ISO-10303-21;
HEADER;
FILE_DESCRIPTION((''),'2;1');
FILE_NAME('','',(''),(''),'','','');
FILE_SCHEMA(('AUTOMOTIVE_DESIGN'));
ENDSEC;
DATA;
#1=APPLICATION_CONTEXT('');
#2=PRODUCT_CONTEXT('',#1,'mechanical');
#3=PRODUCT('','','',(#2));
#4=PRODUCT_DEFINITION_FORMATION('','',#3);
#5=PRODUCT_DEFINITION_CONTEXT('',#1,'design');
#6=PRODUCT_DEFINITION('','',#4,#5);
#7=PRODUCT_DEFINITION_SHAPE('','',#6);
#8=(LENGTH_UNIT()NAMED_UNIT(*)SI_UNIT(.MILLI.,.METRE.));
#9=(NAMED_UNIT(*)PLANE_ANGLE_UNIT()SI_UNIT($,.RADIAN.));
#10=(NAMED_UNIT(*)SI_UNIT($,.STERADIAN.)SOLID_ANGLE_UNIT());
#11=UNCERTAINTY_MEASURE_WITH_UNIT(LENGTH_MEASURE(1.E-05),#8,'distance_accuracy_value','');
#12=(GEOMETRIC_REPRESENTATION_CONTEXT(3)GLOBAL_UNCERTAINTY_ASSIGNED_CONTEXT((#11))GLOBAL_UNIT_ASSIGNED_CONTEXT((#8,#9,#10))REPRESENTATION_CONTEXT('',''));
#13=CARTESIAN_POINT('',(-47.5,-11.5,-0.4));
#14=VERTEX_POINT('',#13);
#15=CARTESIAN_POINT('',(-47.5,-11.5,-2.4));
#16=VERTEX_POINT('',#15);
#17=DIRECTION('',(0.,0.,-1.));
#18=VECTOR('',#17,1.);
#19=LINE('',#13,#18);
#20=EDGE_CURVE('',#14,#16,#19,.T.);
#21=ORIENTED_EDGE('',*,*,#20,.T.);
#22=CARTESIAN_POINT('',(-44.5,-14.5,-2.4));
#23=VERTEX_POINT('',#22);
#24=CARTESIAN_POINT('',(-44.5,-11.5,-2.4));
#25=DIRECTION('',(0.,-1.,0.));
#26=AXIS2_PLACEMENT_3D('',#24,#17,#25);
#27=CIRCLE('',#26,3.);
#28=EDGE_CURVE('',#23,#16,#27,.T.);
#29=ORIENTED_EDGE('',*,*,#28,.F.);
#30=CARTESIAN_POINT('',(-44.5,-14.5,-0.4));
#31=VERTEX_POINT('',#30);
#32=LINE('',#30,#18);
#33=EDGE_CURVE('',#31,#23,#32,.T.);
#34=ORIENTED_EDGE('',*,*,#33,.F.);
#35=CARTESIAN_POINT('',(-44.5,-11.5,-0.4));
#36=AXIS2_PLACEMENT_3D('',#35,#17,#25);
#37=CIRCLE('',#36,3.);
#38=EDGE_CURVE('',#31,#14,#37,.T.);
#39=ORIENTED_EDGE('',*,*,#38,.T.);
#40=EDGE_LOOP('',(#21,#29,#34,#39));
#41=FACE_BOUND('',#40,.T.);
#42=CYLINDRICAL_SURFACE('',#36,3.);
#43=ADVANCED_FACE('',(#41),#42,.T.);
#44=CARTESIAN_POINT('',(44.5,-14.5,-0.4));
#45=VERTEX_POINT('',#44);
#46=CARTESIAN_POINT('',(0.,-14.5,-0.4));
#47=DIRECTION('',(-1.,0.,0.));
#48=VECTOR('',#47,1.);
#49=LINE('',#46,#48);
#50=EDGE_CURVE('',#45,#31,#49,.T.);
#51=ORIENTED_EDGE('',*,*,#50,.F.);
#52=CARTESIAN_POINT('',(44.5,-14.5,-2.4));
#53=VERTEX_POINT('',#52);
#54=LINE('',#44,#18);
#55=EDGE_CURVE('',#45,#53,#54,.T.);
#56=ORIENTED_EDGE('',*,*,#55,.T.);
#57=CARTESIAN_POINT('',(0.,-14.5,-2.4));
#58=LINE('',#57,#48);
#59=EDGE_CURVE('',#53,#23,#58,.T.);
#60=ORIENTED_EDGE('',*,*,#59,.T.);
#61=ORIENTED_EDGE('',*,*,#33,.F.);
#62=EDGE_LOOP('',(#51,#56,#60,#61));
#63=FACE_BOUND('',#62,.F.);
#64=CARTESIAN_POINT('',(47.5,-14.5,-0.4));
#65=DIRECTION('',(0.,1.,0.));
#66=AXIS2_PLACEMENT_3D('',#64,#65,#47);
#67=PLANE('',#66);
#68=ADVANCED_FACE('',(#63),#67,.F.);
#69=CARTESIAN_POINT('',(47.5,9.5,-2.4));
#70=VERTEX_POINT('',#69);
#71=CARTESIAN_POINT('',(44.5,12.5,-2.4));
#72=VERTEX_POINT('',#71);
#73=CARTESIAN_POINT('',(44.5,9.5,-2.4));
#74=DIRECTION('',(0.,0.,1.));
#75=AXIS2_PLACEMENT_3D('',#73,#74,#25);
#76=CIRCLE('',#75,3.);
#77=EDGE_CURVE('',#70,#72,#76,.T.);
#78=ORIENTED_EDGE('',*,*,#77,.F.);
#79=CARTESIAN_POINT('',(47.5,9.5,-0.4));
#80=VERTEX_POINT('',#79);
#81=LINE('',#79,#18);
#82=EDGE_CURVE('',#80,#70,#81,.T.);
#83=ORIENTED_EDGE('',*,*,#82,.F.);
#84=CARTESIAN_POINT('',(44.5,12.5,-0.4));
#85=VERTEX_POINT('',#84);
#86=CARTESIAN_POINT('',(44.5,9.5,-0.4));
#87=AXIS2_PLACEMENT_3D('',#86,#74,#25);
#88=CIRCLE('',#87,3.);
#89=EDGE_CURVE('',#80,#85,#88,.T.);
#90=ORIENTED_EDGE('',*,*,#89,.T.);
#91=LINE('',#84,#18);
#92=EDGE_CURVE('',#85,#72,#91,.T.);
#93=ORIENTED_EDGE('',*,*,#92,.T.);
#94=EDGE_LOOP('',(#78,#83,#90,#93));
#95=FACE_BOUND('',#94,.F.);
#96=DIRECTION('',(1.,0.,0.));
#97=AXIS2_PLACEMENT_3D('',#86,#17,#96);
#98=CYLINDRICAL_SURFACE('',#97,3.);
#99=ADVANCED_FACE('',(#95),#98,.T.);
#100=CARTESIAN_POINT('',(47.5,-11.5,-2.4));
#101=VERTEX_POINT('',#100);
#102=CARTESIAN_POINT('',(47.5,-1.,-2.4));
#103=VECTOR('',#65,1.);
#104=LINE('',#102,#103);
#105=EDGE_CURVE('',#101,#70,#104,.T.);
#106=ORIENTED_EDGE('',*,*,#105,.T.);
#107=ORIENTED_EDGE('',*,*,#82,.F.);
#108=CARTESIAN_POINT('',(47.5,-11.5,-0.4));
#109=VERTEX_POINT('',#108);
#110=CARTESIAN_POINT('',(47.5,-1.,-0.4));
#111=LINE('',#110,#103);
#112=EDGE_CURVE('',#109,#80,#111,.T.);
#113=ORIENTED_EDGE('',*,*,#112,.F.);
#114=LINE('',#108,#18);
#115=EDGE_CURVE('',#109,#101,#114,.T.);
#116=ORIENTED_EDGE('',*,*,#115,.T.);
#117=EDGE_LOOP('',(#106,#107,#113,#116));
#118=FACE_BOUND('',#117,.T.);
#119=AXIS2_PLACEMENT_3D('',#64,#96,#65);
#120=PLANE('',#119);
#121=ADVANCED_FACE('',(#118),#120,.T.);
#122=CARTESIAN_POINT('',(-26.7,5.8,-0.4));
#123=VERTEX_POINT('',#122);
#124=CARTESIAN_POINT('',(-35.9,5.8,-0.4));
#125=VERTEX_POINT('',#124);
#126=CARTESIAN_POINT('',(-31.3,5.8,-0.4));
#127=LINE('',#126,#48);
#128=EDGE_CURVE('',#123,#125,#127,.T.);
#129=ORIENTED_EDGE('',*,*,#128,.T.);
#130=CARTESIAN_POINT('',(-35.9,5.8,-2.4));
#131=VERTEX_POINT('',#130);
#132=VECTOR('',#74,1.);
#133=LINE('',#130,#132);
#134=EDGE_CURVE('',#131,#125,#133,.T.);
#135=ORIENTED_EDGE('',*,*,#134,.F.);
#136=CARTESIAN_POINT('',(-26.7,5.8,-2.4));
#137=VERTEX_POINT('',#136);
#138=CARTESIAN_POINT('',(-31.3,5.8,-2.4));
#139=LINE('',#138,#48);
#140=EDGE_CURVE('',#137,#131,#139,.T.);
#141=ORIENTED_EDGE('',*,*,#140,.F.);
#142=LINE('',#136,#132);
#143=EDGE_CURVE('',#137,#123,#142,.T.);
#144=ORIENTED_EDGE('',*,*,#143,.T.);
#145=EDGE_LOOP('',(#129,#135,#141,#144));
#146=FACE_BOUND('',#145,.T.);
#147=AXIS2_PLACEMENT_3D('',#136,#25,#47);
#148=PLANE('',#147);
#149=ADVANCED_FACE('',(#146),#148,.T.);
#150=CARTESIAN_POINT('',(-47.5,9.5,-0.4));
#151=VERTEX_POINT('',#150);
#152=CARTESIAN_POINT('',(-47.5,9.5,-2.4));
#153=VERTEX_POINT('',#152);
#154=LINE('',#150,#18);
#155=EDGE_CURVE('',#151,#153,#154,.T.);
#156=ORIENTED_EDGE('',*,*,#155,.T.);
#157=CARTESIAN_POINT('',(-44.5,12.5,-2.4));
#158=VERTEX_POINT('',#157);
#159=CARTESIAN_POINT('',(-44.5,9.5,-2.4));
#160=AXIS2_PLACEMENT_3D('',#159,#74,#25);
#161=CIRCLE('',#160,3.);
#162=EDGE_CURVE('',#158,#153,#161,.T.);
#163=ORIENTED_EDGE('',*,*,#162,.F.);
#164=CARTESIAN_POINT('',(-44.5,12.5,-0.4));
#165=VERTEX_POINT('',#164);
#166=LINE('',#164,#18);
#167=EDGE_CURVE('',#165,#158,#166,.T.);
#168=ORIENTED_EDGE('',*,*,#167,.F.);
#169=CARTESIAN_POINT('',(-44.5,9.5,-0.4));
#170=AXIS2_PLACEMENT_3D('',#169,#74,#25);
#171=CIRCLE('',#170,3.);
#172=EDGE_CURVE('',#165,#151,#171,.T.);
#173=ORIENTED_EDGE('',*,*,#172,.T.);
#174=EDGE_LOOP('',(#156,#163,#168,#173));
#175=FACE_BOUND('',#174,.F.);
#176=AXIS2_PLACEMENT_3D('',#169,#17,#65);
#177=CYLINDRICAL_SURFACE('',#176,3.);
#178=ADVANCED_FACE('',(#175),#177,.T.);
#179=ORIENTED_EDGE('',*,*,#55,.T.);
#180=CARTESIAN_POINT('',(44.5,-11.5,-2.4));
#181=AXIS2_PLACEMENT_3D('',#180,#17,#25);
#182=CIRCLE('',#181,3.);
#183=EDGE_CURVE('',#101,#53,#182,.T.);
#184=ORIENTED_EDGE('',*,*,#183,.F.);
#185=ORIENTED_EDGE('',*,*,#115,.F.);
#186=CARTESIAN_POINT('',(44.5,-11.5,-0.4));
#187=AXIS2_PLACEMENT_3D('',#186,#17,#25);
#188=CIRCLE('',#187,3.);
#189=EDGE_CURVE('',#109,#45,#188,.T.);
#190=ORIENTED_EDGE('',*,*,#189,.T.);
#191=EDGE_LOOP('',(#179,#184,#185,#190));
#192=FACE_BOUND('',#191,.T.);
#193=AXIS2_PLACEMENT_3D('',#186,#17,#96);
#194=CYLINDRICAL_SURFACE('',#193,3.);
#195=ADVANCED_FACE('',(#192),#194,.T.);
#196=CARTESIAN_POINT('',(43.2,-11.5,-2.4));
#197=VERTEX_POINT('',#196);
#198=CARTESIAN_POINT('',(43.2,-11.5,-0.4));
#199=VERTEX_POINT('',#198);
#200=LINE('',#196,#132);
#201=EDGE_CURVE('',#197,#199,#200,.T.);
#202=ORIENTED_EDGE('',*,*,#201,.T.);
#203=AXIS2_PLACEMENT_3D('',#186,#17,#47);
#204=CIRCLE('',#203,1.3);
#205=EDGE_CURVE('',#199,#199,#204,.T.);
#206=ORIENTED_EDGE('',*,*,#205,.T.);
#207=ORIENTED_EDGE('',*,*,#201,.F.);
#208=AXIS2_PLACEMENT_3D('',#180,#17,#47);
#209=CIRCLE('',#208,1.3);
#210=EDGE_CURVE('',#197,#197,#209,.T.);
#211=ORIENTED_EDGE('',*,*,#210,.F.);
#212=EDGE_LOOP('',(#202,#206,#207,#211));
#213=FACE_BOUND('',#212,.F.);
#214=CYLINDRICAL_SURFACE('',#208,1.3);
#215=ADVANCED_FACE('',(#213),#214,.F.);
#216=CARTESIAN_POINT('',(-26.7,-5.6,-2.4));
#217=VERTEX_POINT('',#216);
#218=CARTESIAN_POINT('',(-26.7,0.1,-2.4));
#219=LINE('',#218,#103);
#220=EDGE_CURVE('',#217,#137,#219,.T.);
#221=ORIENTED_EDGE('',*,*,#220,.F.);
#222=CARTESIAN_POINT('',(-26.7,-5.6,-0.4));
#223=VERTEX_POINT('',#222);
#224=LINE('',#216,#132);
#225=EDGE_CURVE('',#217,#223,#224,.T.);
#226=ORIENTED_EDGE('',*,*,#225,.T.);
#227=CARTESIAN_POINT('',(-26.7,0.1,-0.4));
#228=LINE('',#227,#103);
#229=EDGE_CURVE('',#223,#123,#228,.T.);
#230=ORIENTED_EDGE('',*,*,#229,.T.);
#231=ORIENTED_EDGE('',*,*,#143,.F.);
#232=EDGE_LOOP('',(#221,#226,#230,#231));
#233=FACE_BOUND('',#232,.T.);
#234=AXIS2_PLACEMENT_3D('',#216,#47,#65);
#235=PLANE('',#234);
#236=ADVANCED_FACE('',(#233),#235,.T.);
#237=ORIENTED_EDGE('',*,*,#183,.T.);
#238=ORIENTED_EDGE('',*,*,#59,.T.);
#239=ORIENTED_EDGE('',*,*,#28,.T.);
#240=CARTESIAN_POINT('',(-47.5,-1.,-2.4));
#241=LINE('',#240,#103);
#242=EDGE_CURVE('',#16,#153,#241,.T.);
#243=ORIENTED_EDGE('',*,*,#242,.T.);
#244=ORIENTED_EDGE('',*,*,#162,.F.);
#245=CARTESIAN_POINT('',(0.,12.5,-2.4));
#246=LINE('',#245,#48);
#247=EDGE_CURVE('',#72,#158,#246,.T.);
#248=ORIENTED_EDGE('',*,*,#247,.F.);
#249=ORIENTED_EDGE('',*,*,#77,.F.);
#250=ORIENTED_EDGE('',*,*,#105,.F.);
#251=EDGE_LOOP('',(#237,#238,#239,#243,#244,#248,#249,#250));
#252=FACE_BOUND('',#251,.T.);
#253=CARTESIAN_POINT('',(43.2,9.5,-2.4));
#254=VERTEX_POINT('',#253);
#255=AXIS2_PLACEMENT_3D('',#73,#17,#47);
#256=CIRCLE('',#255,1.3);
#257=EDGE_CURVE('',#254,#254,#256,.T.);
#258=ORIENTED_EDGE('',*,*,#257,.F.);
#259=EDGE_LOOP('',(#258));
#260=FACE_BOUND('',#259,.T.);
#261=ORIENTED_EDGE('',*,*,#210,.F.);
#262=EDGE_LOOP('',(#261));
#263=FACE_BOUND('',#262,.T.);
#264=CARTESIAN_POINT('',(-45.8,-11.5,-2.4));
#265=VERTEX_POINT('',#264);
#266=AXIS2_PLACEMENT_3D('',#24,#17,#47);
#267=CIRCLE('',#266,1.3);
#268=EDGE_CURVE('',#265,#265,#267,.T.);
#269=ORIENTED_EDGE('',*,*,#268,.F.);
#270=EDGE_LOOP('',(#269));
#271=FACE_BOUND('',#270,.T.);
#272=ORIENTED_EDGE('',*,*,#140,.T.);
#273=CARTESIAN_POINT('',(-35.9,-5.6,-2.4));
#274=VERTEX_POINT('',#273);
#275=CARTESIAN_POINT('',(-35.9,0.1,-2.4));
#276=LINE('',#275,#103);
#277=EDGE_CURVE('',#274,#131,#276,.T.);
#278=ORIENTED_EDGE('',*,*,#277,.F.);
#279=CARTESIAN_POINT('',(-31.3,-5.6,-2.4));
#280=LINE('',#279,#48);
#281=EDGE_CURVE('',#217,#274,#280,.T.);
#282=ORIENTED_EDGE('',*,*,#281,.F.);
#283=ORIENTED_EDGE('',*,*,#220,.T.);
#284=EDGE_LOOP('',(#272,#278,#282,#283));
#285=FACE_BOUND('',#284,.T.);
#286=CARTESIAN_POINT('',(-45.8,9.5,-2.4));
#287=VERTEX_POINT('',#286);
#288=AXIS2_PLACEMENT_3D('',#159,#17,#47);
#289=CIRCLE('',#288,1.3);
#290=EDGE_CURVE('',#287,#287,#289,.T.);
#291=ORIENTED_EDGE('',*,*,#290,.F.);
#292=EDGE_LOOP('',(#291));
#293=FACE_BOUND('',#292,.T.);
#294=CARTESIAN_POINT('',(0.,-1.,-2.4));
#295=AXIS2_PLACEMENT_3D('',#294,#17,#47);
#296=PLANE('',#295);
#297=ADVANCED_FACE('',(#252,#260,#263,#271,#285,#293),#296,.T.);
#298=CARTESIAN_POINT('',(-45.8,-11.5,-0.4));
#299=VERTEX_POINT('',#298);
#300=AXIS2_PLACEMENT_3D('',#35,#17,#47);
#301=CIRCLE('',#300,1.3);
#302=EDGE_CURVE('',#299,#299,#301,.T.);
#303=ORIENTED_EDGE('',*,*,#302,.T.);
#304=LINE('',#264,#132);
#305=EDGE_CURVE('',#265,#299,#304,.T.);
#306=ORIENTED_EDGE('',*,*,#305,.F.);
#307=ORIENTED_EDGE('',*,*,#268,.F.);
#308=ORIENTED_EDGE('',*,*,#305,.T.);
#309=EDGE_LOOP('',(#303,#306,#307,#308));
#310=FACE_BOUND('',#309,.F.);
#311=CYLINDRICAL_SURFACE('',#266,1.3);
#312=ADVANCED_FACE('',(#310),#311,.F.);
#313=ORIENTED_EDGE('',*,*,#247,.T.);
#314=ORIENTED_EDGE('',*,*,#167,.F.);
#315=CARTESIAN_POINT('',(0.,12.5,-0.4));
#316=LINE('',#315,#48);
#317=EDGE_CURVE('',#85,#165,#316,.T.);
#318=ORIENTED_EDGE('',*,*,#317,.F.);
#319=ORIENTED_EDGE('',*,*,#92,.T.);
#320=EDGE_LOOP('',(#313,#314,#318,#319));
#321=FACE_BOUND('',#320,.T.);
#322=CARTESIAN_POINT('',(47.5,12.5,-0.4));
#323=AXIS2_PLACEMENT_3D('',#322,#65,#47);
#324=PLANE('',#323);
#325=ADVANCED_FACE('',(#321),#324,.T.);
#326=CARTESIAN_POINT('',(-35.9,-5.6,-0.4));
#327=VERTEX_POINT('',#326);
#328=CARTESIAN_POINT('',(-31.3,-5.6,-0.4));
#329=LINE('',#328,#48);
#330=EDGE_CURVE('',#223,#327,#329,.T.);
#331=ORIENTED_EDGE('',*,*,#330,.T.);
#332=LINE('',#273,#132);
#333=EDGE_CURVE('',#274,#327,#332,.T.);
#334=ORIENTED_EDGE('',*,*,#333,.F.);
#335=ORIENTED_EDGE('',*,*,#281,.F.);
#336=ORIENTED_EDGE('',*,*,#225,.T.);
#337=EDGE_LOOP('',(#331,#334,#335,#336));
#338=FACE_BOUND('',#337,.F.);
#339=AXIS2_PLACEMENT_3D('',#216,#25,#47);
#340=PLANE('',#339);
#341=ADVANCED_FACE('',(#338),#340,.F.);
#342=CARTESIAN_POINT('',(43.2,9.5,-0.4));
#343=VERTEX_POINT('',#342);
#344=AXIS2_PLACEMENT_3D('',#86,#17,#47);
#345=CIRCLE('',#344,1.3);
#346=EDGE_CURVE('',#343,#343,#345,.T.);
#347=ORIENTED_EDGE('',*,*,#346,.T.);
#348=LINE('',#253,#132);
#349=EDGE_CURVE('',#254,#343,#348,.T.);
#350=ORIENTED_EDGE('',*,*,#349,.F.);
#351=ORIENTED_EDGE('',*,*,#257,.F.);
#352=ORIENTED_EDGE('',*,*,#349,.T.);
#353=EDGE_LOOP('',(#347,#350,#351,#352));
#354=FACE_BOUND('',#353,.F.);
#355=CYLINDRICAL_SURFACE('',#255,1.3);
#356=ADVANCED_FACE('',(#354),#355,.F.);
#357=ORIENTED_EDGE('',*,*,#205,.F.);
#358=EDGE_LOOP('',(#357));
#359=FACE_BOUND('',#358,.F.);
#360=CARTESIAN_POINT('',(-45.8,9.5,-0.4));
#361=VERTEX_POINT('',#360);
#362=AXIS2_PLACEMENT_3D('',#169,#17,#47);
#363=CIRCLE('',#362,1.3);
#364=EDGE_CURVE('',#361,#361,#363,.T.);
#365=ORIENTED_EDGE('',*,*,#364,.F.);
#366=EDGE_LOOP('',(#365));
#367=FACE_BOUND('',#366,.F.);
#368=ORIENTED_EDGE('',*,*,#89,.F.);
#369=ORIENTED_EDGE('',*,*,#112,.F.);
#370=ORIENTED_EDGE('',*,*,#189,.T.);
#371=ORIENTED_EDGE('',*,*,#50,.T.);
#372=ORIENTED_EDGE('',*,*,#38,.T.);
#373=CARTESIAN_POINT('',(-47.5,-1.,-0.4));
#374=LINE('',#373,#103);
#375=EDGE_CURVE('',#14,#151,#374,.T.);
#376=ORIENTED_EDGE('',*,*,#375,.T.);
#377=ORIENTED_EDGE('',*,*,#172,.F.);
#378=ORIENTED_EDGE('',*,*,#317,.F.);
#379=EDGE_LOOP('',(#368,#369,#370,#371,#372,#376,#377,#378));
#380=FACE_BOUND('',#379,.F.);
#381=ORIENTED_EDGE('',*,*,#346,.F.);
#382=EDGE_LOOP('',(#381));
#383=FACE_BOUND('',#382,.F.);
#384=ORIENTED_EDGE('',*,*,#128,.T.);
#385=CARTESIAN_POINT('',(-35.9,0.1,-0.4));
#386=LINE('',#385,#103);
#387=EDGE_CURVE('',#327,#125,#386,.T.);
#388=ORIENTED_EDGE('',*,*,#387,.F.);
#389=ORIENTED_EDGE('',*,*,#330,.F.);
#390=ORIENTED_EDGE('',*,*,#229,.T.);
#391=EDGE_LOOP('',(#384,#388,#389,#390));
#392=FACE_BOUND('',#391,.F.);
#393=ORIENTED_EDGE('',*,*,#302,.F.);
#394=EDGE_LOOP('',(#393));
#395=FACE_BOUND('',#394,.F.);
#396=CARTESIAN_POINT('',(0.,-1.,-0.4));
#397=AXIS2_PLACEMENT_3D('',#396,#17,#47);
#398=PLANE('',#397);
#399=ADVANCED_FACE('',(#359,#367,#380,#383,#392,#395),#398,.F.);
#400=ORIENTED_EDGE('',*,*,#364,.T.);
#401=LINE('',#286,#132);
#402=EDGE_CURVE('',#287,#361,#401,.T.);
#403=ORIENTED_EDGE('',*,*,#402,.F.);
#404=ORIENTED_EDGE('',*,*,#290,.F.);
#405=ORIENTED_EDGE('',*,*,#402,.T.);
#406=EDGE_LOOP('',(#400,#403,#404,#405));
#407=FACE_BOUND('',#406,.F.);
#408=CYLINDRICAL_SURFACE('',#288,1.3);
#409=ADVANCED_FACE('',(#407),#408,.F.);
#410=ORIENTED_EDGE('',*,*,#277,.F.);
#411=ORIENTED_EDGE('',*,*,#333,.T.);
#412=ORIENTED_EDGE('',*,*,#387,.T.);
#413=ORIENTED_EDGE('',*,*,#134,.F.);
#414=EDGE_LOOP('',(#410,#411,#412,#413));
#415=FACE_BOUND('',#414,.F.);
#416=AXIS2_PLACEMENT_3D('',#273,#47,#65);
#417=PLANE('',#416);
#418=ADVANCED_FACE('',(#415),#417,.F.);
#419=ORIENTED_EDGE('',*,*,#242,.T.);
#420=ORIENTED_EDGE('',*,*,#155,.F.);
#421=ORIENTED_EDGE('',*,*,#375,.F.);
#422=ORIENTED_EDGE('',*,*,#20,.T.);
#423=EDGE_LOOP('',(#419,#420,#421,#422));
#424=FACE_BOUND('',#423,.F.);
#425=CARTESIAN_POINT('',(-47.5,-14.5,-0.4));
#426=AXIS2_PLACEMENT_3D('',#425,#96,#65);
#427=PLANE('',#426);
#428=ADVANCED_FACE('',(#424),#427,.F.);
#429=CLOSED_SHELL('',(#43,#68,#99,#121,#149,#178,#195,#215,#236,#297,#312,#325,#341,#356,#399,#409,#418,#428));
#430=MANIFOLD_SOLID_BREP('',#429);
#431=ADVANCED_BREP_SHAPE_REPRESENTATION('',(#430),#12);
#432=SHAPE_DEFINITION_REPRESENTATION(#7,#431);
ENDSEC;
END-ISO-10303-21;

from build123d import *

# Parameters (mm, degrees)
SKETCH003_W             = 95
SKETCH003_H             = 27
PAD002_DEPTH            = 2
SKETCH004_R             = 1.3
POCKET001_DEPTH         = 2
FILLET002_R             = 3
SKETCH005_W             = 9.2
SKETCH005_H             = 11.4
POCKET002_DEPTH         = 2
BODY001_PLACEMENT_ANGLE = 180


with BuildPart() as part:
    # Sketch003 → Pad002 (new body)
    with BuildSketch(Plane.XY):
        Rectangle(SKETCH003_W, SKETCH003_H)
    extrude(amount=PAD002_DEPTH)

    # Sketch004 (on Face6 of Pad002) → Pocket001 (cut)
    with BuildSketch(Plane.XY.offset(2)):
        with Locations((-44.5, 10.5)):
            Circle(SKETCH004_R)
        with Locations((44.5, 10.5)):
            Circle(SKETCH004_R)
        with Locations((44.5, -10.5)):
            Circle(SKETCH004_R)
        with Locations((-44.5, -10.5)):
            Circle(SKETCH004_R)
    extrude(amount=-POCKET001_DEPTH, mode=Mode.SUBTRACT)

    # Fillet002
    fillet002_edges = [part.edges().sort_by_distance(p)[0] for p in [
        (-47.5, -13.5, 1),
        (47.5, -13.5, 1),
        (47.5, 13.5, 1),
        (-47.5, 13.5, 1),
    ]]
    fillet(fillet002_edges, radius=FILLET002_R)

    # Sketch005 (on Face5 of Fillet002) → Pocket002 (cut)
    with BuildSketch(Plane.XY.offset(2)):
        with Locations((31.3, 1.1)):
            Rectangle(SKETCH005_W, SKETCH005_H)
    extrude(amount=-POCKET002_DEPTH, mode=Mode.SUBTRACT)


with BuildPart() as part_1:
    # Body001 placement: moved
    add(part.part.moved(Location((0, -1, -0.4))).rotate(Axis((0, -1, -0.4), (0, 1, 0)), BODY001_PLACEMENT_ANGLE))


solid = part_1.part
